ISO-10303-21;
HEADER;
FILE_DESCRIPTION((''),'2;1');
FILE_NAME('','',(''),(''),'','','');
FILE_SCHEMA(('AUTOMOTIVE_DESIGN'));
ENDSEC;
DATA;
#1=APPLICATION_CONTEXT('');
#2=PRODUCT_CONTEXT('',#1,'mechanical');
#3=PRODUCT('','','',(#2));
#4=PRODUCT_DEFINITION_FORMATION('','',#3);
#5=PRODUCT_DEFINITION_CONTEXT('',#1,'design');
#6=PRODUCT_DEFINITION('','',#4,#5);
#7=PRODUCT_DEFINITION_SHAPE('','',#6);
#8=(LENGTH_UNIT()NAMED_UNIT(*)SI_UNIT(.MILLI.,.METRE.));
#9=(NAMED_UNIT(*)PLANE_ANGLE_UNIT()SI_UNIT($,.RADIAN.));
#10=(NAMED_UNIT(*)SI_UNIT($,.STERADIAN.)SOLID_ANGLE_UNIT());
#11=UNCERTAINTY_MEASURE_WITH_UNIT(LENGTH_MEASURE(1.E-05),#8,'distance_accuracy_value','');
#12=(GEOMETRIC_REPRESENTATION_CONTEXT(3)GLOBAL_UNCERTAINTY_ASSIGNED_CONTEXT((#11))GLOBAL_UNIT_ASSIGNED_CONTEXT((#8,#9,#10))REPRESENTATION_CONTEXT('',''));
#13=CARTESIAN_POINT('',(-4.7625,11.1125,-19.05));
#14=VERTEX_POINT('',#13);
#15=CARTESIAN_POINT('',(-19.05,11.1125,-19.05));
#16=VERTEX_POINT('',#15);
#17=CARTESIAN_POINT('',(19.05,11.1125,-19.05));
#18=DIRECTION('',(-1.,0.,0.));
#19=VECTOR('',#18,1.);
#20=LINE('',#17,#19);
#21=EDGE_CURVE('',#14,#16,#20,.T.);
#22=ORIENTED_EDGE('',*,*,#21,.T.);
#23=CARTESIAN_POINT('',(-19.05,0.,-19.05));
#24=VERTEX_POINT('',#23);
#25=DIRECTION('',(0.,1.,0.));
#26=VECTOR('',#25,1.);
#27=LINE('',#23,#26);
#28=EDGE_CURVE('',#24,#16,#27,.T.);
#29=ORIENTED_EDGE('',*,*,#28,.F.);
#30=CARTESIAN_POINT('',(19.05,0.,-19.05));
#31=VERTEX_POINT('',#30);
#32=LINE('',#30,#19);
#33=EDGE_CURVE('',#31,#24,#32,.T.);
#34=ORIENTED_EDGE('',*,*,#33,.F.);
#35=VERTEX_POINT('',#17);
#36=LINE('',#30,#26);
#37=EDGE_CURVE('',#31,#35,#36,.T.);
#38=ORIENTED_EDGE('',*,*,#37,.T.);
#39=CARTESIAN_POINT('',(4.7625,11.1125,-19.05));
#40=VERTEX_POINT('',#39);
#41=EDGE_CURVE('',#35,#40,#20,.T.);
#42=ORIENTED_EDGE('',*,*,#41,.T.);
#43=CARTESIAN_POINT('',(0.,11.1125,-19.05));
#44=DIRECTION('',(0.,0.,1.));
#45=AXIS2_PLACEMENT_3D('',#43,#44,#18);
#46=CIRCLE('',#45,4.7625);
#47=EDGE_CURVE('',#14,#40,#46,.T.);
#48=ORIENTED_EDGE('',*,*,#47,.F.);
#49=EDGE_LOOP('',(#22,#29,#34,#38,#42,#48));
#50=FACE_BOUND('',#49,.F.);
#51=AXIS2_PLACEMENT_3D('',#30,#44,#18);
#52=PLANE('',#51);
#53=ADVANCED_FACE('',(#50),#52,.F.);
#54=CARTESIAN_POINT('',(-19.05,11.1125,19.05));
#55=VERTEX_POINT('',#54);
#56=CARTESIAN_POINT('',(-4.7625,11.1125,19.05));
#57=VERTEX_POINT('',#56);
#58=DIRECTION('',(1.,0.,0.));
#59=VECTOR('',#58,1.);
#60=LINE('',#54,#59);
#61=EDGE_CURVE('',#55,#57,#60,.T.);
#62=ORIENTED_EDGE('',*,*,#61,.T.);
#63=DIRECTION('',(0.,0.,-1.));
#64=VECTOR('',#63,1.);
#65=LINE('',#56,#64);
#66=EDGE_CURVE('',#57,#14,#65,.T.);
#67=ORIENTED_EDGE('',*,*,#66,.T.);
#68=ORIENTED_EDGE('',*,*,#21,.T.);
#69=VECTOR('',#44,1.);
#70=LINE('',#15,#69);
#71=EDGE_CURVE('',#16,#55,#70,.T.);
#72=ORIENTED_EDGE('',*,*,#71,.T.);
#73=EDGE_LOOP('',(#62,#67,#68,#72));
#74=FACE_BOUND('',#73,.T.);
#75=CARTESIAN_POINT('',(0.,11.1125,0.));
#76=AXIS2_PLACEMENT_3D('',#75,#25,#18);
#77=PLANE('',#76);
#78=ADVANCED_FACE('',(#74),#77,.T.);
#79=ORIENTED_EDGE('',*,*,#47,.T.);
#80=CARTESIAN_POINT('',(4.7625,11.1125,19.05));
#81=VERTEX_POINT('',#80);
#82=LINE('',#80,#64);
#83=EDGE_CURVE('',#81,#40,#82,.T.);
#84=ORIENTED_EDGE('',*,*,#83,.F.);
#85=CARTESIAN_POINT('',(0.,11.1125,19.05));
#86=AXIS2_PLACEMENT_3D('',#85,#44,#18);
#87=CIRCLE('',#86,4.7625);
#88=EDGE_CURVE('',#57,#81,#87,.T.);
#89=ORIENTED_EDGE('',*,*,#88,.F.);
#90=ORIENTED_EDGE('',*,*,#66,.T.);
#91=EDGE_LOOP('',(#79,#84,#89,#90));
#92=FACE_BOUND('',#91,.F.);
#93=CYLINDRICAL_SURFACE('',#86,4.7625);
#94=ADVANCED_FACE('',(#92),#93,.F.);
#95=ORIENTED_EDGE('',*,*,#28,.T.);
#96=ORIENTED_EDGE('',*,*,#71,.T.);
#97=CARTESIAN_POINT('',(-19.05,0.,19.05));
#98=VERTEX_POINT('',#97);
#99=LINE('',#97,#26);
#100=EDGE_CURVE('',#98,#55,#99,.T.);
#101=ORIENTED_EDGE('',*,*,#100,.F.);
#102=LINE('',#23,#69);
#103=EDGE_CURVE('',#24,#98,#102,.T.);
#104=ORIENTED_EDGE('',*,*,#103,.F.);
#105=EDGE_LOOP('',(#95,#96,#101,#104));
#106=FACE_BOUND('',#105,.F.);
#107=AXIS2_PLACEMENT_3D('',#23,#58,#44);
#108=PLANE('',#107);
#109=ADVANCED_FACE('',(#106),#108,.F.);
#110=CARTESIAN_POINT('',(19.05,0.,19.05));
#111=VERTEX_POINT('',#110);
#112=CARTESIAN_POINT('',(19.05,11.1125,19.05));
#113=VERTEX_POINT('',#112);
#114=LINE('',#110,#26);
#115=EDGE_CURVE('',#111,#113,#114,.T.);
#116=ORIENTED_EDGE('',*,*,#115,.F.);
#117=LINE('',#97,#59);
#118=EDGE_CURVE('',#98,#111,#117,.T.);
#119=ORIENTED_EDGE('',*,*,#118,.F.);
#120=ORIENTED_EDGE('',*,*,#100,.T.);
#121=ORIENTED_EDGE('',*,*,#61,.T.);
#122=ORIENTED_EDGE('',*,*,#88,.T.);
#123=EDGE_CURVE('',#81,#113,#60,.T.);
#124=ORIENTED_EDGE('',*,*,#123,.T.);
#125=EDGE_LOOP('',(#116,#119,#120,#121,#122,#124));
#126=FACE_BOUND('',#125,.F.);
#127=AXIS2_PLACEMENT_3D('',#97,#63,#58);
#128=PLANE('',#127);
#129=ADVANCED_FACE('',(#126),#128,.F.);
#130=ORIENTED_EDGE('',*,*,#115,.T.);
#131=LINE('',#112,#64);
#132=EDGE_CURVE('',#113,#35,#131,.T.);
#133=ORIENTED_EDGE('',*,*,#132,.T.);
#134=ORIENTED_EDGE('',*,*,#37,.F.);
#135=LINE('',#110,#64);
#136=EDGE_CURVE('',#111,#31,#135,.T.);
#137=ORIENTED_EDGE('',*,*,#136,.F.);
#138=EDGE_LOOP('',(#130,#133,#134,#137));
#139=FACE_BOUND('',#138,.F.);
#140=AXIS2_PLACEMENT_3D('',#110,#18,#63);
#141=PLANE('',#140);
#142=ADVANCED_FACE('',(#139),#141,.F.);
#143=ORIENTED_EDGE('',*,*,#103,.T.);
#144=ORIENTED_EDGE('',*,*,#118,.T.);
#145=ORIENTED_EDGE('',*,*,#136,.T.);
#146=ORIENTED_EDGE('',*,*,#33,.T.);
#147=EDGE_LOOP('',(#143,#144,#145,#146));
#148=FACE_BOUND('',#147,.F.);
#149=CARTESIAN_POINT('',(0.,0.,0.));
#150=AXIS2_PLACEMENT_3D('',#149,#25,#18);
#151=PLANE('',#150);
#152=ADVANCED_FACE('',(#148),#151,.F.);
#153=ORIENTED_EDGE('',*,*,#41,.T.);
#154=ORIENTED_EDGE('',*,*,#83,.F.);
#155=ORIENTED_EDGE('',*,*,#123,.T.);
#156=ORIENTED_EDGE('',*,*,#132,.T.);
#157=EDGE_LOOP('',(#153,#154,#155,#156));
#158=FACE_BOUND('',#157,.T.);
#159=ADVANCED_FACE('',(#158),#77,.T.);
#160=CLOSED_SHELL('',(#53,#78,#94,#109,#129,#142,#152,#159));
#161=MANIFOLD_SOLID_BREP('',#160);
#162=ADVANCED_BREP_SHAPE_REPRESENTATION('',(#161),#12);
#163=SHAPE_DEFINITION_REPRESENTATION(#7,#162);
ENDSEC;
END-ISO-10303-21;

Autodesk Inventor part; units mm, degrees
ref_plane "YZ Plane" through (0, 0, 0) normal (1, 0, 0) x (0, 1, 0)
ref_plane "XZ Plane" through (0, 0, 0) normal (0, 1, 0) x (-1, 0, 0)
ref_plane "XY Plane" through (0, 0, 0) normal (0, 0, 1) x (1, 0, 0)
sketch "Sketch1" plane through (0, 0, 0) normal (0, 1, 0) x (-1, 0, 0)
  line L0 (-19.05, 19.05) -> (-19.05, -19.05)
  line L1 (-19.05, -19.05) -> (19.05, -19.05)
  line L2 (19.05, -19.05) -> (19.05, 19.05)
  line L3 (19.05, 19.05) -> (-19.05, 19.05)
  line L4 (-19.05, 19.05) -> (19.05, -19.05) construction
  line L5 (-19.05, -19.05) -> (19.05, 19.05) construction
  point P0 (0, 0)
  dimension "d0" = 38.1
extrude "Extrusion1" add sketch "Sketch1" along normal blind 11.1125
sketch "Sketch2" plane through (-19.05, 0, 19.05) normal (0, 0, 1) x (1, 0, 0)
  line L0 (38.1, 11.1125) -> (0, 11.1125) projected
  arc A0 (14.2875, 11.1125) -> (23.8125, 11.1125) centre (19.05, 11.1125) ccw
  point P0 (19.05, 0)
  dimension "d3" = 9.525
extrude "Extrusion2" cut sketch "Sketch2" against normal through all
equation "\"d0\" = width"
equation "\"d1\" = heightOfBottomHole"
equation "\"d3\" = bottomHoleDiam"
equation "\"d4\" = deltaBottomToTop"
equation "\"bottomHoleDiam\" = 9.525"
equation "\"width\" = 38.1"
equation "\"height\" = deltaBottomToTop + heightOfBottomHole + heightOfTopHole"
equation "\"deltaBottomToTop\" = 25.4"
equation "\"heightOfBottomHole\" = 11.1125"
equation "\"heightOfTopHole\" = 11.1125"
properties part number "BottomOfSquareSupport"
